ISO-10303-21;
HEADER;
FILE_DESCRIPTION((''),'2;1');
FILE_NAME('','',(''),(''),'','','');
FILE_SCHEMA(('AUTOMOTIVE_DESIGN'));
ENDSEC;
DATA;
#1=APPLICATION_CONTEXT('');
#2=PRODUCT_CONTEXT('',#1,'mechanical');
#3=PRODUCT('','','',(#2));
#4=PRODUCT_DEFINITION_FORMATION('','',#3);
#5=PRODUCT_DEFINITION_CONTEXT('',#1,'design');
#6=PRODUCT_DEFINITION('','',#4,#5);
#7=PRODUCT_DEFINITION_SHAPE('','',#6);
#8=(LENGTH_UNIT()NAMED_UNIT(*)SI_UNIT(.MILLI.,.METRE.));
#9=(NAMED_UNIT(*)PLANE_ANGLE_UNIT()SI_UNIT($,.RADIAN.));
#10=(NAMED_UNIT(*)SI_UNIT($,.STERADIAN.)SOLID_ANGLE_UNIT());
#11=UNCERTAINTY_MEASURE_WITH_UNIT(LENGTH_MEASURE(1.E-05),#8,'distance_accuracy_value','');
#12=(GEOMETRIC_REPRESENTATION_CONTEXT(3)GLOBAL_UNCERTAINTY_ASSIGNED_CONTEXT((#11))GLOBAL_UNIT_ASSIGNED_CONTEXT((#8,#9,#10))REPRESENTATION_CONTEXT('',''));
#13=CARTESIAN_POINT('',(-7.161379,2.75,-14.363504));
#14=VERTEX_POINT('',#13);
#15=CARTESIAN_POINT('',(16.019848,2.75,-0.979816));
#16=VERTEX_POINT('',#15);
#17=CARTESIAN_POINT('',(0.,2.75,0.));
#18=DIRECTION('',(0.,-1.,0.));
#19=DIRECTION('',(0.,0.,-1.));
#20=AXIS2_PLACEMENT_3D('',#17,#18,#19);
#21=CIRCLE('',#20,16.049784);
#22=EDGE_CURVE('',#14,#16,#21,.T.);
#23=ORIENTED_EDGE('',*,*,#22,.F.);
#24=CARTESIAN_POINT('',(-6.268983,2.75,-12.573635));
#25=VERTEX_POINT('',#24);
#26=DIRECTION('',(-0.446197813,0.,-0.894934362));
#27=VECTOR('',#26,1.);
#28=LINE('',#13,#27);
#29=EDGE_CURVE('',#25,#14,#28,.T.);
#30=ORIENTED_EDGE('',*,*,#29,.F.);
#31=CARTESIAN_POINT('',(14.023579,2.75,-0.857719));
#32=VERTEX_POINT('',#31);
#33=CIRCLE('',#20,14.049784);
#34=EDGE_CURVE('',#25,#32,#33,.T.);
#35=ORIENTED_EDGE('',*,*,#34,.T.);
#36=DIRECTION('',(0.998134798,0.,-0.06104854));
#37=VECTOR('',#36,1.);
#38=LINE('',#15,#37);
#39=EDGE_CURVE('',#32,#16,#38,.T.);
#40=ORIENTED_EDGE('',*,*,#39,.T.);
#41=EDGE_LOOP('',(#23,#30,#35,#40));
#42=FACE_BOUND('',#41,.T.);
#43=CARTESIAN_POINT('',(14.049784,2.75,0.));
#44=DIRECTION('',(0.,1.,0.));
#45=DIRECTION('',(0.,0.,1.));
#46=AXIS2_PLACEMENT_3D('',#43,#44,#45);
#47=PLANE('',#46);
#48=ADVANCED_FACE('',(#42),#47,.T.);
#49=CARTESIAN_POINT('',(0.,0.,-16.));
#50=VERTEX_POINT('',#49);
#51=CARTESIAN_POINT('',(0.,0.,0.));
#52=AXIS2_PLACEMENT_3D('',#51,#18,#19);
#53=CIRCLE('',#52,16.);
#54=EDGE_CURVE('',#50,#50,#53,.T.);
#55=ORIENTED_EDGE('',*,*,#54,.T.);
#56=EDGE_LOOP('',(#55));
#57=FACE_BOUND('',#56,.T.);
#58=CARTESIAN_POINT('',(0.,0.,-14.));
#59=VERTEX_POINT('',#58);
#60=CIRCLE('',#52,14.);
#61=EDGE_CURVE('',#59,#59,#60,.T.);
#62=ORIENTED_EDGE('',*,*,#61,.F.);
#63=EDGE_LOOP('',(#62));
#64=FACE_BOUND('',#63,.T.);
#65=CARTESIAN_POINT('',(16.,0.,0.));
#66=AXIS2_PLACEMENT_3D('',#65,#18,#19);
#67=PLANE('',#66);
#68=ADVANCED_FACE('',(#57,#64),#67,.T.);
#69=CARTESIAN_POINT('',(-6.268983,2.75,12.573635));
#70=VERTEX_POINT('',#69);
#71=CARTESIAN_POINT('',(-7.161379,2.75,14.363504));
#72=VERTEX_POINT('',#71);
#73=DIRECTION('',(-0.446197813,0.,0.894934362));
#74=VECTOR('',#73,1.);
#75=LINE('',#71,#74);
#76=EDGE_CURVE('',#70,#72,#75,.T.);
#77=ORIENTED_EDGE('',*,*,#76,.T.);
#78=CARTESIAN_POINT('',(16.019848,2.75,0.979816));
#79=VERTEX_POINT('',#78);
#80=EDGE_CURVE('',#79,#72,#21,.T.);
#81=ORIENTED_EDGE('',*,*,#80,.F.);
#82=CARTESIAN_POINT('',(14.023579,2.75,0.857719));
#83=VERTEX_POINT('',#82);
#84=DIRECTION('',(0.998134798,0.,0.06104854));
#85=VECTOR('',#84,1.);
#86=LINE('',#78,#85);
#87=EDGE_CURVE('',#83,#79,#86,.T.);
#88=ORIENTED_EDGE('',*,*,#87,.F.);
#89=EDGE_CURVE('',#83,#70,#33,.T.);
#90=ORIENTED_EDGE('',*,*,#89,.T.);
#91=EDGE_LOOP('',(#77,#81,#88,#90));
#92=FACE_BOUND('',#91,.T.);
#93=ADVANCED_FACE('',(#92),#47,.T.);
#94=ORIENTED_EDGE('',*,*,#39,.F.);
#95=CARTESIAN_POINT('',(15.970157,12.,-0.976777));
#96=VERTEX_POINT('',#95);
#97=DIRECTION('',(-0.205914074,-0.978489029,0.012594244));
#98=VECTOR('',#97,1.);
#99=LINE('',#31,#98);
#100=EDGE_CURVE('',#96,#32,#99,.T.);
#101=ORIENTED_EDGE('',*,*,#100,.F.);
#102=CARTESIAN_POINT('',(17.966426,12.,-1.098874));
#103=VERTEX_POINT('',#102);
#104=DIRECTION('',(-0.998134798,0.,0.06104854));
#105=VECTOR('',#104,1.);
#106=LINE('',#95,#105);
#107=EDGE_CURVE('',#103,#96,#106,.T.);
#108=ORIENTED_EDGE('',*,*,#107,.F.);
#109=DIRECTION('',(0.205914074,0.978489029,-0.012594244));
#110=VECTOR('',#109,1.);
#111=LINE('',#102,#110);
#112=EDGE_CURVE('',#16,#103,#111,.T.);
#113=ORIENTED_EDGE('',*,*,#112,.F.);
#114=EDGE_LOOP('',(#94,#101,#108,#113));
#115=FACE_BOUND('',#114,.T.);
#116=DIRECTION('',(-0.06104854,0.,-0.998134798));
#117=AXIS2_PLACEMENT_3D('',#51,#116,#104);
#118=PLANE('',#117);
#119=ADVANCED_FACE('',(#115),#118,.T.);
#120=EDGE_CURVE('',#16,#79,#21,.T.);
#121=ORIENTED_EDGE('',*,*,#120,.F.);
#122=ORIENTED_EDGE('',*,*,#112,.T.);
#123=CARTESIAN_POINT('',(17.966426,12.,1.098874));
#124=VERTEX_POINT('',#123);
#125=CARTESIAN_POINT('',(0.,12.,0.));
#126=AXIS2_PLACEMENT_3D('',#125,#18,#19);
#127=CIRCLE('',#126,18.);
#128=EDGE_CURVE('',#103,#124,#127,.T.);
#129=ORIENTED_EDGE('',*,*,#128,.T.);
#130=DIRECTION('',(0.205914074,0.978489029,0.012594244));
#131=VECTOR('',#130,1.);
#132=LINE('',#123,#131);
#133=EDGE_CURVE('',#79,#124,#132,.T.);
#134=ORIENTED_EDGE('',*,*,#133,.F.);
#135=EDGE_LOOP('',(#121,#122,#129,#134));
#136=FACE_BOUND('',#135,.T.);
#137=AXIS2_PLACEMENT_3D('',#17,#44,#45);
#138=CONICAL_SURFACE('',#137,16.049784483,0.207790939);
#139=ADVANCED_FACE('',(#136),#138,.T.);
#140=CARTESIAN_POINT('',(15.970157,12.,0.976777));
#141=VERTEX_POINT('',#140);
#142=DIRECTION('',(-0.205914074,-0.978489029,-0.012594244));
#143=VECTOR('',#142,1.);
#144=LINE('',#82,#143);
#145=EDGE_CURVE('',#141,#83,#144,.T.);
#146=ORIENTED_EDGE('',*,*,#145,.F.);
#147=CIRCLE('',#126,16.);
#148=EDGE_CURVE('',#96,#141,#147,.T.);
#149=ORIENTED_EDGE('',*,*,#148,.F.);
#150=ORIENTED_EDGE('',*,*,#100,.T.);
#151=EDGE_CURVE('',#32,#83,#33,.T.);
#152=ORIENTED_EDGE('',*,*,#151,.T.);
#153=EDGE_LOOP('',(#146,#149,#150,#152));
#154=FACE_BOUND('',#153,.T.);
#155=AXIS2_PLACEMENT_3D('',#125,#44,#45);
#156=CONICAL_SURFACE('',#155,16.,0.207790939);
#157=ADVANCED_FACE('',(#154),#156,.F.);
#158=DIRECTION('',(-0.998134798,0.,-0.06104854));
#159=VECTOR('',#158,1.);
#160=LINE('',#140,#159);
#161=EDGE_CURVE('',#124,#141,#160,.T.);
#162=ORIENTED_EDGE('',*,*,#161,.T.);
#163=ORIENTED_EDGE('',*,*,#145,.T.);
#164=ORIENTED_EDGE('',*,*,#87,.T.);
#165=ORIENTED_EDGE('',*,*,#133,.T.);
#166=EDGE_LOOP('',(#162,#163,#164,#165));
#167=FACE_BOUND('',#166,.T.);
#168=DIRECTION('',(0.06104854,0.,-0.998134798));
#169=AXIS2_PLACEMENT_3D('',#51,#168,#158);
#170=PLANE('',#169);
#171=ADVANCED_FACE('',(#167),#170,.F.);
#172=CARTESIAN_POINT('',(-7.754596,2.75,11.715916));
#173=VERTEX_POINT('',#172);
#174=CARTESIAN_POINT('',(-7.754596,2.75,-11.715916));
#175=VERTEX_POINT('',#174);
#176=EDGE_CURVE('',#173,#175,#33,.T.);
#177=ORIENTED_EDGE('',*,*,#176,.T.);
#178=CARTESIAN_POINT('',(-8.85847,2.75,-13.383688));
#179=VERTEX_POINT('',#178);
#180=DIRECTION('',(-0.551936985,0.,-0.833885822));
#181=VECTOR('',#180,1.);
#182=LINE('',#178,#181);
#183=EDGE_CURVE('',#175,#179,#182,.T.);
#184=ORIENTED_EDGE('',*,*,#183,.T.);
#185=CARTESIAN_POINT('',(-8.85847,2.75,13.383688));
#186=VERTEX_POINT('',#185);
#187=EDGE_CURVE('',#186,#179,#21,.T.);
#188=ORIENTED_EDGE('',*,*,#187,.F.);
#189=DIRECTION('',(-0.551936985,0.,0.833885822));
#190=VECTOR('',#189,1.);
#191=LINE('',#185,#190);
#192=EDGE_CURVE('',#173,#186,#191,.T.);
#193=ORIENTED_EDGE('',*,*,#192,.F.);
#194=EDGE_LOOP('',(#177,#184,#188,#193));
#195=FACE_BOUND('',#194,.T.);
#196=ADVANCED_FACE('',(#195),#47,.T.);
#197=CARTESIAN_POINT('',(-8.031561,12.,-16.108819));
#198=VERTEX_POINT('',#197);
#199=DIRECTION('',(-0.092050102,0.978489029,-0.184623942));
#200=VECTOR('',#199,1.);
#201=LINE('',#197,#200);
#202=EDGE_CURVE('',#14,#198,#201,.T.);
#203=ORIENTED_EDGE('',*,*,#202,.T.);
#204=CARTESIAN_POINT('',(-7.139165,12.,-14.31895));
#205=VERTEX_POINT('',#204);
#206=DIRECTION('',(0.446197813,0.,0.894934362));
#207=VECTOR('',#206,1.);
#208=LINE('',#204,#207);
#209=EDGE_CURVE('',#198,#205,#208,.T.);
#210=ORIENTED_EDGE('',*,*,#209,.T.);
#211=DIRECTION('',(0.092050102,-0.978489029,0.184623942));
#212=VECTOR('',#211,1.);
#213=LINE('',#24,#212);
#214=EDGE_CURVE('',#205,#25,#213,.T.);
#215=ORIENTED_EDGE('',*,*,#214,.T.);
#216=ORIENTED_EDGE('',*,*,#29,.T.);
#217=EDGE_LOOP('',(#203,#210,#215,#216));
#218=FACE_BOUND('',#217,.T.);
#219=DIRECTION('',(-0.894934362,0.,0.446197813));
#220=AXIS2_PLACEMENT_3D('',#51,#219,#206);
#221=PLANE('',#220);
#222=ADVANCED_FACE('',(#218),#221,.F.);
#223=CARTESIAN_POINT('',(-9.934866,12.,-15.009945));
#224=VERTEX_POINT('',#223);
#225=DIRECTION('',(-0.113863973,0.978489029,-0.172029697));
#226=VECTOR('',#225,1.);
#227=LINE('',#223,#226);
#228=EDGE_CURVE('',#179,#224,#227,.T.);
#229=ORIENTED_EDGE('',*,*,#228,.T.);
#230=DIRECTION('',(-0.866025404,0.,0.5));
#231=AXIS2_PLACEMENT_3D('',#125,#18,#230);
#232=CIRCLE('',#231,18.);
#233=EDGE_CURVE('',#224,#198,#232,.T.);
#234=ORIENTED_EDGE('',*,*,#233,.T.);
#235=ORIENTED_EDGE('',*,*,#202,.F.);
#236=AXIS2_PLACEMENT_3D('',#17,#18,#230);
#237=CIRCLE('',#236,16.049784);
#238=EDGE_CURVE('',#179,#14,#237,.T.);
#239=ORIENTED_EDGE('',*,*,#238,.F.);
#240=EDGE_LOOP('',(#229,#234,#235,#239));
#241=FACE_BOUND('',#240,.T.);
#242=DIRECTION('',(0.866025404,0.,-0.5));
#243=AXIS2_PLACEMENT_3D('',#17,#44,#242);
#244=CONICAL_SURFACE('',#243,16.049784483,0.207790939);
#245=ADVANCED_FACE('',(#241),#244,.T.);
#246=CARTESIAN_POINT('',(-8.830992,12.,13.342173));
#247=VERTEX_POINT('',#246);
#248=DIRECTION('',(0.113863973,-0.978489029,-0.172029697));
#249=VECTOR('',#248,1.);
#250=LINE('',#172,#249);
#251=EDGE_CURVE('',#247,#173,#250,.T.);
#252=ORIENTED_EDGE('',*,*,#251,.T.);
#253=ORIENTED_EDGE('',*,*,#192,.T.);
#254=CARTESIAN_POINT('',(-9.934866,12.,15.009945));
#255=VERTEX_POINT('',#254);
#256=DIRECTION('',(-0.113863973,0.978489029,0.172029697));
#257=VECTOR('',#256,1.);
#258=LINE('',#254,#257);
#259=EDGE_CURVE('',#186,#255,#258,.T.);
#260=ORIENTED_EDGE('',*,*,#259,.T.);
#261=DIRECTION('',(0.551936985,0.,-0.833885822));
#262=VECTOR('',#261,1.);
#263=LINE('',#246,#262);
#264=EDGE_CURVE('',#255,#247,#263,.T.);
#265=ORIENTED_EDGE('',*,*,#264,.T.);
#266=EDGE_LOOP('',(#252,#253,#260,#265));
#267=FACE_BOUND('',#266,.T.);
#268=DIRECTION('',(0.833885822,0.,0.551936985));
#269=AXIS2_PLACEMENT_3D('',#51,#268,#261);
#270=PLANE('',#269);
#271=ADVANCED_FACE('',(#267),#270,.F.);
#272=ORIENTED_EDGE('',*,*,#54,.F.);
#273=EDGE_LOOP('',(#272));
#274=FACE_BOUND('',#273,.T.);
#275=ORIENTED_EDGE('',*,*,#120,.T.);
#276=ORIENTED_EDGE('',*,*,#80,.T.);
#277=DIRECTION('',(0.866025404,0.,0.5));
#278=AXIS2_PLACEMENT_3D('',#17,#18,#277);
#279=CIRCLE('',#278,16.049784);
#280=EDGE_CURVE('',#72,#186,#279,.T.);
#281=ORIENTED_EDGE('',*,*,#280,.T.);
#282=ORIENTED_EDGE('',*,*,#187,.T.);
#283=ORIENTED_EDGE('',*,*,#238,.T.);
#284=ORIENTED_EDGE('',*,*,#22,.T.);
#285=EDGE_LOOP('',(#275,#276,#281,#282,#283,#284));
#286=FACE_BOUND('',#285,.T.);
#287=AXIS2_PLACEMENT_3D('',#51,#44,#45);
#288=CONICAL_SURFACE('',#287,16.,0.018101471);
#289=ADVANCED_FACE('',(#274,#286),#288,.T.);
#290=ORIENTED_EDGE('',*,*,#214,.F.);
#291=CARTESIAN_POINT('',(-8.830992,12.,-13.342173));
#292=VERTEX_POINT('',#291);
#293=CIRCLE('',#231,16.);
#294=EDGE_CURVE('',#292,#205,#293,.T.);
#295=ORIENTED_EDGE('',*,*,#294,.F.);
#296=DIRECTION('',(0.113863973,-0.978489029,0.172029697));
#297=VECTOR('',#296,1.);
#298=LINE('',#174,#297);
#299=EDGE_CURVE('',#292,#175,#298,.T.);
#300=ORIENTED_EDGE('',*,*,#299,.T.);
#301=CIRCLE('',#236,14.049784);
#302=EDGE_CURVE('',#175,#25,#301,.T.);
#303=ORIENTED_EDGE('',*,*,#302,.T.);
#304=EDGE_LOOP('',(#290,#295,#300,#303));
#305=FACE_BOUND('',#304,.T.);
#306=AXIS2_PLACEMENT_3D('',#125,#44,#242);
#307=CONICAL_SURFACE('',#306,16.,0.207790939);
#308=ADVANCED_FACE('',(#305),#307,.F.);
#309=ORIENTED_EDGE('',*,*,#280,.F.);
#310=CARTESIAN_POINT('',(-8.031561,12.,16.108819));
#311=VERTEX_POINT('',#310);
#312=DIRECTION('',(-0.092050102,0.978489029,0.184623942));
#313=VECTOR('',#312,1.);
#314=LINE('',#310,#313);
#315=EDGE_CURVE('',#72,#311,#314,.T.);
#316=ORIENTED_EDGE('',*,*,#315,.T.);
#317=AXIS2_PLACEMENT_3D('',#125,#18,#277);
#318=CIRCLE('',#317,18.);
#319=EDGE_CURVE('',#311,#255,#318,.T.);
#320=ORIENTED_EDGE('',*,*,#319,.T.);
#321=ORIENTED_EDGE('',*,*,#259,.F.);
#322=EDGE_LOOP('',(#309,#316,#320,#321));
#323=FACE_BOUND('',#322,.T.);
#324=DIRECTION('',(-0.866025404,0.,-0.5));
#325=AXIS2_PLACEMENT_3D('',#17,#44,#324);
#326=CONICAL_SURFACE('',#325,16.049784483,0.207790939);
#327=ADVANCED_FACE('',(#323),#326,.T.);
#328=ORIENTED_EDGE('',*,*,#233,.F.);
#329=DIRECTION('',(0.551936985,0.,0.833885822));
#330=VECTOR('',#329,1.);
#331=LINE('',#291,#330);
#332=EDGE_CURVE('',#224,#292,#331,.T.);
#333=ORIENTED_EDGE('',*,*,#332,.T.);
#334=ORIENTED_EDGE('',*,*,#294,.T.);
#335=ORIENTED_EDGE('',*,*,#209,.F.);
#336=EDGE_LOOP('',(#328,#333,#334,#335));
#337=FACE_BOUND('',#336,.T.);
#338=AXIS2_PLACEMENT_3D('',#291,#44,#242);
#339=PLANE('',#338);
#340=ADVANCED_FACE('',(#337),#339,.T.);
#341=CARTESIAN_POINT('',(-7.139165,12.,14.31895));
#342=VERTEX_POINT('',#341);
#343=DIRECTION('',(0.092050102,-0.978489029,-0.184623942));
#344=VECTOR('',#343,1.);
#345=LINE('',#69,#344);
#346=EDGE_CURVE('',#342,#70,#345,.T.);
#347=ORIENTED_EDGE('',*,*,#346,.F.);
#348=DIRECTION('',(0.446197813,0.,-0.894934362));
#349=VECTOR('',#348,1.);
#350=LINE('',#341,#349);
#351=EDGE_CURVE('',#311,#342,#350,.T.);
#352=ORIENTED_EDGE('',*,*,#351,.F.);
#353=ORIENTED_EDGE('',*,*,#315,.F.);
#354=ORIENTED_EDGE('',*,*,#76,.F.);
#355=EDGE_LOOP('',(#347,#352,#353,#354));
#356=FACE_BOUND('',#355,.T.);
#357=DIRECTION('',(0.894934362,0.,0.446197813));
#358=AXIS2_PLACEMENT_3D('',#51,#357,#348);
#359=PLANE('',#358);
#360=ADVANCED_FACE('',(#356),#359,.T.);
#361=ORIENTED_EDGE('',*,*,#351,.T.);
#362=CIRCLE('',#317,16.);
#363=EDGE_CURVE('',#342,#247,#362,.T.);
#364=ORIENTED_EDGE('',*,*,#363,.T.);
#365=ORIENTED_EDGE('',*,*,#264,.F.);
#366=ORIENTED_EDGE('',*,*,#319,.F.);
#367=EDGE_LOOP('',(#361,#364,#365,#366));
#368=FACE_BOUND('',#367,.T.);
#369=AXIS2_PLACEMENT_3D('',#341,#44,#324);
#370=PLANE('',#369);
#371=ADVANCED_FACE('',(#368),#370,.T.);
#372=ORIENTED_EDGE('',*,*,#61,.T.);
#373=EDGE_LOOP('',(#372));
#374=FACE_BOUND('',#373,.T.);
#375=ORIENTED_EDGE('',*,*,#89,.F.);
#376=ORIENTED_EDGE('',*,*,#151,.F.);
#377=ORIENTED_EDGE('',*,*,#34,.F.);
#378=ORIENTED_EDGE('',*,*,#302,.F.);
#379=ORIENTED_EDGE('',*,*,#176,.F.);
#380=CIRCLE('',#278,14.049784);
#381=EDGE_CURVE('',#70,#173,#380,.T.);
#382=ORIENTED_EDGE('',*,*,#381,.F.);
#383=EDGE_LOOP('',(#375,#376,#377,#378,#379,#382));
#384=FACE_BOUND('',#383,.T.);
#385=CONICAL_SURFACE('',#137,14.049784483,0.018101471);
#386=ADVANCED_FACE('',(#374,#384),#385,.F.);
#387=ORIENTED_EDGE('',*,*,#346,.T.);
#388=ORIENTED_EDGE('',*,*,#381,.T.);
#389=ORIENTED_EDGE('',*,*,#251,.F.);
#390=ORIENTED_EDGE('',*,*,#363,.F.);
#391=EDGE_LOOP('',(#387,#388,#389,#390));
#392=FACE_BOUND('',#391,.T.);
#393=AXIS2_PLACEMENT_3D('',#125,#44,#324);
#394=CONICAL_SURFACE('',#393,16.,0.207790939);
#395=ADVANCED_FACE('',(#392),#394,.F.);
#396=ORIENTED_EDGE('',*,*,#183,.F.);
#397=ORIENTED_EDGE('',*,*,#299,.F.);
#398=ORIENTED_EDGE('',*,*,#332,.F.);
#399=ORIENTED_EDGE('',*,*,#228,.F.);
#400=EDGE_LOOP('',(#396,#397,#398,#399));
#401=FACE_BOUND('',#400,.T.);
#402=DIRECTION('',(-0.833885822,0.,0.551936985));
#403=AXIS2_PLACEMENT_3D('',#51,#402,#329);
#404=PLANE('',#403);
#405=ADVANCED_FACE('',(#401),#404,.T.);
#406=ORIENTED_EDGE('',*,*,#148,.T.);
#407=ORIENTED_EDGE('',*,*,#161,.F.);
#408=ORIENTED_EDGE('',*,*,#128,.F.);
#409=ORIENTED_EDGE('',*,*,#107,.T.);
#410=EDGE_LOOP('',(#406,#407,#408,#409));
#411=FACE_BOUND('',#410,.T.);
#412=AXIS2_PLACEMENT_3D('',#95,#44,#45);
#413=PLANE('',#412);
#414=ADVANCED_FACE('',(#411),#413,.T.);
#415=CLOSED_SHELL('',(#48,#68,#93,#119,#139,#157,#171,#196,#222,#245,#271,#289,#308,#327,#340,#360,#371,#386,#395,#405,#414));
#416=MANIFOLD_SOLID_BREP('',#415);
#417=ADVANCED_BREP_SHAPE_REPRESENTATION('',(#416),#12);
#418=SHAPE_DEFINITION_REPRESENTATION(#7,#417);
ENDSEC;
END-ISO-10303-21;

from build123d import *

# Parameters (mm, degrees)
REVOLVE2_ANGLE    = 7
CIRPATTERN1_COUNT = 3


with BuildPart() as part:
    # Sketch1 → Revolve1 (revolve)
    with BuildSketch(Plane.XY, mode=Mode.PRIVATE) as revolve1_sk:
        Polygon((14, 0), (14.049784483, 2.75), (16.049784483, 2.75), (16, 0), align=None)
    revolve(revolve1_sk.sketch.rotate(Axis((0, 0, 0), (0, 1, 0)), 90), axis=Axis((0, 0, 0), (0, 1, 0)))  # turned: the seam where the file's is

    # Sketch2 → Revolve2 (revolve, symmetric)
    with BuildSketch(Plane.XY) as revolve2_sk:
        Polygon((14.049784483, 2.75), (16, 12), (18, 12), (16.049784483, 2.75), align=None)
    revolve2 = revolve(axis=Axis((0, 0, 0), (0, 1, 0)), revolution_arc=REVOLVE2_ANGLE / 2)
    revolve2 = revolve2 + revolve(revolve2_sk.sketch, axis=Axis((0, 0, 0), (0, -1, 0)), revolution_arc=REVOLVE2_ANGLE / 2)

    # CirPattern1: Revolve2 ×3 about axis
    cirpattern1_axis = Axis((0, 0, 0), (0, 1, 0))
    for i in range(1, CIRPATTERN1_COUNT):
        add(revolve2.rotate(cirpattern1_axis, i * 360 / CIRPATTERN1_COUNT))


solid = part.part
